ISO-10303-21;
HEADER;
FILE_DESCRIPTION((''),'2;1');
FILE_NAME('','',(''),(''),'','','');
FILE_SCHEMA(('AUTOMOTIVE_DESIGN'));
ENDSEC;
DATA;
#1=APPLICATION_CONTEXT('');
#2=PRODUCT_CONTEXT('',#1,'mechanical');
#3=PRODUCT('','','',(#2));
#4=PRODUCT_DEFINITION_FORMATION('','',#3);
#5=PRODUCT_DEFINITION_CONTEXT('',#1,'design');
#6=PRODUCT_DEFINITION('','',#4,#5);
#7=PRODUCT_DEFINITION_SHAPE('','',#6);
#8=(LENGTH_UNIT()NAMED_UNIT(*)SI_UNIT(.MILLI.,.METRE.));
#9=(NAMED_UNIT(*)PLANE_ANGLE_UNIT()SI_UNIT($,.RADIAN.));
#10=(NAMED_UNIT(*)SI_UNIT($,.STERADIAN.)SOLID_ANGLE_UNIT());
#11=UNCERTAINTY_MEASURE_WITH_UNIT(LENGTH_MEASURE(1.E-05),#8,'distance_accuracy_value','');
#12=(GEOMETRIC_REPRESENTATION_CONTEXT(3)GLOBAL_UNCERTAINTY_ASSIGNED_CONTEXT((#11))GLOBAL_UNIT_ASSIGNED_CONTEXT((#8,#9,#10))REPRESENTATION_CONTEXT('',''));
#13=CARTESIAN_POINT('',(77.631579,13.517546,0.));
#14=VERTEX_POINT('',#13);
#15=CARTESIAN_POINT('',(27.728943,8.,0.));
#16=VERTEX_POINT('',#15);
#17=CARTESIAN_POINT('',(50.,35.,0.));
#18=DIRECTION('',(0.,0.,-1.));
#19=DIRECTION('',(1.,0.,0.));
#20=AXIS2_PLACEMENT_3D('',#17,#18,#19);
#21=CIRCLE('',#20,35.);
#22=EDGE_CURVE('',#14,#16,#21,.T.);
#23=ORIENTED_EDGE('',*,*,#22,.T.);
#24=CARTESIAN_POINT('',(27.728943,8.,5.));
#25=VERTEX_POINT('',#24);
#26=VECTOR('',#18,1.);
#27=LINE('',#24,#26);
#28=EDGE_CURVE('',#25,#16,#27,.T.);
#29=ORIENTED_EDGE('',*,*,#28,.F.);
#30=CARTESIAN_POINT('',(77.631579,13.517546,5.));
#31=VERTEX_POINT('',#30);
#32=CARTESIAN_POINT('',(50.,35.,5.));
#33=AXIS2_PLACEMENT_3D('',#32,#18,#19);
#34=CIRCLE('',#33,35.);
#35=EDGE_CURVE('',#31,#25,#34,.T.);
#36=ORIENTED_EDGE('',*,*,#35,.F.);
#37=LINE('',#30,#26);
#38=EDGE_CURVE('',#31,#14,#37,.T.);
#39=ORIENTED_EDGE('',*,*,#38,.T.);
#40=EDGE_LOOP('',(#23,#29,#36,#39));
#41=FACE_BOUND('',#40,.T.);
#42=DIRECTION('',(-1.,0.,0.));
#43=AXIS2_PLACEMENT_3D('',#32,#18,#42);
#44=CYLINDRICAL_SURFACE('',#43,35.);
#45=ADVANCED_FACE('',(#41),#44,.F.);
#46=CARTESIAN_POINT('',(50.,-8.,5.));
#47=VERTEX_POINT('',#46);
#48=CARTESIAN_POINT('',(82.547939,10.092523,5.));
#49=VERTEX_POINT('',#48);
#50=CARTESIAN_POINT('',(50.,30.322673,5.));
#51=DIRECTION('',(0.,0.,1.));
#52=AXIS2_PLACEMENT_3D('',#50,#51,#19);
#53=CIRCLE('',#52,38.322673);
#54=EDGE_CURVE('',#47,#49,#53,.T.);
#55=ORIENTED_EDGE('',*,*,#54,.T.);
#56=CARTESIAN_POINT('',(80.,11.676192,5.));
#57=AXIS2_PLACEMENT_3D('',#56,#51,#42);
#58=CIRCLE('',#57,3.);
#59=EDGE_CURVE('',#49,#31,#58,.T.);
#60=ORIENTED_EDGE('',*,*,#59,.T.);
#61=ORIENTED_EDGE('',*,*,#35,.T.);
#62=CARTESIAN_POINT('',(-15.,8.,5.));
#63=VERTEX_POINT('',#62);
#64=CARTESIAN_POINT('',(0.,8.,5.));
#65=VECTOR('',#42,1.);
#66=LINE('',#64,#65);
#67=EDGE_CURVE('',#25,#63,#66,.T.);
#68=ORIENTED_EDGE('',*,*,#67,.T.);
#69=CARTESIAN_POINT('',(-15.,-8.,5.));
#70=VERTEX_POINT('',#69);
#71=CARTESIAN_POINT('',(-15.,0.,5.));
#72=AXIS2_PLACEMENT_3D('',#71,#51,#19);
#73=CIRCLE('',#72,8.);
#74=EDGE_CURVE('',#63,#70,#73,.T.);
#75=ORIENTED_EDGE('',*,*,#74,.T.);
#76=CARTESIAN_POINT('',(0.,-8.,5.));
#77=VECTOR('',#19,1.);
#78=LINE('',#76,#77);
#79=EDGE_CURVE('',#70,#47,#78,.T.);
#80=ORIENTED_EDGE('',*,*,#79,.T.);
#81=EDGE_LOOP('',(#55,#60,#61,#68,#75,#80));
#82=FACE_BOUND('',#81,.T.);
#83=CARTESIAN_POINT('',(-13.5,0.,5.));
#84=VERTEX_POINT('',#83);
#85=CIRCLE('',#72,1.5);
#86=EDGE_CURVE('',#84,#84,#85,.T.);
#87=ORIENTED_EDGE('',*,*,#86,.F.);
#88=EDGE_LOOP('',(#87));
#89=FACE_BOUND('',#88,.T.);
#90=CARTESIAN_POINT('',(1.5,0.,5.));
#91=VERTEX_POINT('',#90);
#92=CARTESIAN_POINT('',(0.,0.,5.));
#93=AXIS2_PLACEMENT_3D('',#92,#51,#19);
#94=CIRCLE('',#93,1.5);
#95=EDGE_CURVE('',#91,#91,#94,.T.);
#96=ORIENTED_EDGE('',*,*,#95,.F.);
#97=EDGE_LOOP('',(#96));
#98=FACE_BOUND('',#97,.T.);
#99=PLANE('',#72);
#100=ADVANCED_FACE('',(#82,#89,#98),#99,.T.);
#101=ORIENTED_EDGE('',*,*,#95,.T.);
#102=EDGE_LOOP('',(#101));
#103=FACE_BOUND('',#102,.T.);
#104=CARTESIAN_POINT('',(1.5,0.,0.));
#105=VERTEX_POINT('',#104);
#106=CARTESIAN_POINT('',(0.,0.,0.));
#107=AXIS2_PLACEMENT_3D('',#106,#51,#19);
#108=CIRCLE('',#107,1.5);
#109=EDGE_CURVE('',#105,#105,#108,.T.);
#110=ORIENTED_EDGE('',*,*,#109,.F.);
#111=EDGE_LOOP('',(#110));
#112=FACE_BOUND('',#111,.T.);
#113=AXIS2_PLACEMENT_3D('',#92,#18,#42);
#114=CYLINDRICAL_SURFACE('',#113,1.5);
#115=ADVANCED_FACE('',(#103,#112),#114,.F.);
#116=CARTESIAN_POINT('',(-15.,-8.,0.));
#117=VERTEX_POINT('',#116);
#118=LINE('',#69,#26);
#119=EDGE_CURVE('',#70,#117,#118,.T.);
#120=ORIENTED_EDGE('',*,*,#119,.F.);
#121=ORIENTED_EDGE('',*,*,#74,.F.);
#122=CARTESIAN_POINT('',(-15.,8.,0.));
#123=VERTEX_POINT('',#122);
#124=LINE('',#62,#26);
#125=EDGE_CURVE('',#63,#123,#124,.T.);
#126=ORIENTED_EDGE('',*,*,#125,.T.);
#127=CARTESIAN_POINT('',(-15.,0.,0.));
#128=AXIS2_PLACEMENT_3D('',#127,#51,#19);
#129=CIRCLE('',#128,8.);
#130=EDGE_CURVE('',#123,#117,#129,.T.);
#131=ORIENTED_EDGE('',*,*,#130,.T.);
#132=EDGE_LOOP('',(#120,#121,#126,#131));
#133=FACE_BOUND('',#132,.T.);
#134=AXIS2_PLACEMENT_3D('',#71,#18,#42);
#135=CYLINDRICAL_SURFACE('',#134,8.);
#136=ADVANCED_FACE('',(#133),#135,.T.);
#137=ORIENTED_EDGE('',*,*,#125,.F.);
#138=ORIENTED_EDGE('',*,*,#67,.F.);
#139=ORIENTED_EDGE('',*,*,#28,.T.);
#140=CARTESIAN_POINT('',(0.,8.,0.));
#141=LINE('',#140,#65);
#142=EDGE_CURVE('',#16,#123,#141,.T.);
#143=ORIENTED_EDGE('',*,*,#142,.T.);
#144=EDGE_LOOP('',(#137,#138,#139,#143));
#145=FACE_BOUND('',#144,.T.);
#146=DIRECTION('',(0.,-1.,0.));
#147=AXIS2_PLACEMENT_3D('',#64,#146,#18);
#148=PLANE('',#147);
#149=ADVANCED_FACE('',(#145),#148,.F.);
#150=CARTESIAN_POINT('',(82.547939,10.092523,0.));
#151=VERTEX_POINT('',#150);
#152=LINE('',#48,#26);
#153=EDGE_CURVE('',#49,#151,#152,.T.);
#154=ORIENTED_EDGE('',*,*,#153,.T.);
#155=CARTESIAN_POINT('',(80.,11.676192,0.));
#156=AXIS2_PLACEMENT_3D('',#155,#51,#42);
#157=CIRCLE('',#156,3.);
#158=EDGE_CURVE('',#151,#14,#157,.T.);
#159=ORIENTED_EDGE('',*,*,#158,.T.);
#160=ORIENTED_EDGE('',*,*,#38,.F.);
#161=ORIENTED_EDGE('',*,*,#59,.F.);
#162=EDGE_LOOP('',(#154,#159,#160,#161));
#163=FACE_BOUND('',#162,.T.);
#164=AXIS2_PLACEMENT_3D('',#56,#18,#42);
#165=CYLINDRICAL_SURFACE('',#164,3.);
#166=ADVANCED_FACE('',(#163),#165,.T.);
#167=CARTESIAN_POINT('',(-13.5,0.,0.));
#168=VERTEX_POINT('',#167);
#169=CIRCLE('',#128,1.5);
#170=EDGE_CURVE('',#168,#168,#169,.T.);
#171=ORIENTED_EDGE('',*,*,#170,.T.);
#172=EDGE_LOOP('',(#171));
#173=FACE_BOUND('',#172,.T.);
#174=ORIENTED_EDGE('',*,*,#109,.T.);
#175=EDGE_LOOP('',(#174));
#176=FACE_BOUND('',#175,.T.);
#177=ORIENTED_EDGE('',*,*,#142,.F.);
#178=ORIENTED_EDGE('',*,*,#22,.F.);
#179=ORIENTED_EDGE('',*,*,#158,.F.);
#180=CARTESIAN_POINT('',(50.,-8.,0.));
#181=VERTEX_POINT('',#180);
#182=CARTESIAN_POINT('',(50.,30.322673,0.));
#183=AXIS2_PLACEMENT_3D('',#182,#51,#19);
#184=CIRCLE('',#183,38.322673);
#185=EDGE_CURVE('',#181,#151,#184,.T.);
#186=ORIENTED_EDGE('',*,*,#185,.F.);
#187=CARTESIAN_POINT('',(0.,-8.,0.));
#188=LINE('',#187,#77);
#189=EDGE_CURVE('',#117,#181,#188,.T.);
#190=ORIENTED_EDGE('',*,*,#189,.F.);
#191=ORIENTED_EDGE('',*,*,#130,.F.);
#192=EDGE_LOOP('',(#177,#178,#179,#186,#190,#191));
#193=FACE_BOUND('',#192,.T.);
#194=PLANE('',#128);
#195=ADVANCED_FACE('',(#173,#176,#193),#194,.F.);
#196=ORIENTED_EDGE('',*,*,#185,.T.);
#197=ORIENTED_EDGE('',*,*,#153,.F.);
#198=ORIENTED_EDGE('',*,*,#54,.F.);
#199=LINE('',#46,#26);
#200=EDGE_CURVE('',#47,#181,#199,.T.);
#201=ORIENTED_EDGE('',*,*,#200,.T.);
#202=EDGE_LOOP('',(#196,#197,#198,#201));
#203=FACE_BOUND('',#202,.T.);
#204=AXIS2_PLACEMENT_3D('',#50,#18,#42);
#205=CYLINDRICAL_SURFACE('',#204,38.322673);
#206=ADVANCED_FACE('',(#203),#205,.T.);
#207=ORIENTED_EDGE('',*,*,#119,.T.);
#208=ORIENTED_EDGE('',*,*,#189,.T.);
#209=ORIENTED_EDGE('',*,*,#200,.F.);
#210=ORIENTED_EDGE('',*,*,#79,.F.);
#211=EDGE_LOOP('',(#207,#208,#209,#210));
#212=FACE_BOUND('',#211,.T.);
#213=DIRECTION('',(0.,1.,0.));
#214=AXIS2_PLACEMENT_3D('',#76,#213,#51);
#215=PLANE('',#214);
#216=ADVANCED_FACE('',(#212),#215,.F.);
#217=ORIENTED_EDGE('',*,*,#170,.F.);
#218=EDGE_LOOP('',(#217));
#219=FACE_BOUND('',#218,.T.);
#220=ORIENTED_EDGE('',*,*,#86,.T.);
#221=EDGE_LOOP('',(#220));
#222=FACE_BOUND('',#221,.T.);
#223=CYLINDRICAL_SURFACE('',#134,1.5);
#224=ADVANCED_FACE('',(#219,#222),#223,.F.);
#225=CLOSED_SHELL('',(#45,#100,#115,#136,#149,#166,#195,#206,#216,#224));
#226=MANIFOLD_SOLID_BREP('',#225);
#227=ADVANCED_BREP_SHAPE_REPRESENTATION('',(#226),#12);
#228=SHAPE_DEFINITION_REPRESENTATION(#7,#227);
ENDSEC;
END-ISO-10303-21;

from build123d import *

# Parameters (mm, degrees)
ESQUISSE1_R        = 1.5
BOSS_EXTRU_1_DEPTH = 5


with BuildPart() as part:
    # Esquisse1 → Boss.-Extru.1 (new body)
    with BuildSketch(Plane.XY):
        with BuildLine():
            Line((0, 8), (20, 8))
            Line((20, 8), (27.728942549, 8))
            ThreePointArc((27.728942549, 8), (53.84637819, 0.211993808), (77.631578947, 13.517545651))
            ThreePointArc((77.631578947, 13.517545651), (81.714862069, 14.137746418), (82.547938522, 10.092522856))
            ThreePointArc((82.547938522, 10.092522856), (68.619262105, -3.172854276), (50, -8))
            Line((50, -8), (0, -8))
            Line((0, -8), (-15, -8))
            ThreePointArc((-15, -8), (-23, 0), (-15, 8))
            Line((-15, 8), (0, 8))
        make_face()
        Circle(ESQUISSE1_R, mode=Mode.SUBTRACT)
        with Locations((-15, 0)):
            Circle(ESQUISSE1_R, mode=Mode.SUBTRACT)
    extrude(amount=BOSS_EXTRU_1_DEPTH)


solid = part.part
